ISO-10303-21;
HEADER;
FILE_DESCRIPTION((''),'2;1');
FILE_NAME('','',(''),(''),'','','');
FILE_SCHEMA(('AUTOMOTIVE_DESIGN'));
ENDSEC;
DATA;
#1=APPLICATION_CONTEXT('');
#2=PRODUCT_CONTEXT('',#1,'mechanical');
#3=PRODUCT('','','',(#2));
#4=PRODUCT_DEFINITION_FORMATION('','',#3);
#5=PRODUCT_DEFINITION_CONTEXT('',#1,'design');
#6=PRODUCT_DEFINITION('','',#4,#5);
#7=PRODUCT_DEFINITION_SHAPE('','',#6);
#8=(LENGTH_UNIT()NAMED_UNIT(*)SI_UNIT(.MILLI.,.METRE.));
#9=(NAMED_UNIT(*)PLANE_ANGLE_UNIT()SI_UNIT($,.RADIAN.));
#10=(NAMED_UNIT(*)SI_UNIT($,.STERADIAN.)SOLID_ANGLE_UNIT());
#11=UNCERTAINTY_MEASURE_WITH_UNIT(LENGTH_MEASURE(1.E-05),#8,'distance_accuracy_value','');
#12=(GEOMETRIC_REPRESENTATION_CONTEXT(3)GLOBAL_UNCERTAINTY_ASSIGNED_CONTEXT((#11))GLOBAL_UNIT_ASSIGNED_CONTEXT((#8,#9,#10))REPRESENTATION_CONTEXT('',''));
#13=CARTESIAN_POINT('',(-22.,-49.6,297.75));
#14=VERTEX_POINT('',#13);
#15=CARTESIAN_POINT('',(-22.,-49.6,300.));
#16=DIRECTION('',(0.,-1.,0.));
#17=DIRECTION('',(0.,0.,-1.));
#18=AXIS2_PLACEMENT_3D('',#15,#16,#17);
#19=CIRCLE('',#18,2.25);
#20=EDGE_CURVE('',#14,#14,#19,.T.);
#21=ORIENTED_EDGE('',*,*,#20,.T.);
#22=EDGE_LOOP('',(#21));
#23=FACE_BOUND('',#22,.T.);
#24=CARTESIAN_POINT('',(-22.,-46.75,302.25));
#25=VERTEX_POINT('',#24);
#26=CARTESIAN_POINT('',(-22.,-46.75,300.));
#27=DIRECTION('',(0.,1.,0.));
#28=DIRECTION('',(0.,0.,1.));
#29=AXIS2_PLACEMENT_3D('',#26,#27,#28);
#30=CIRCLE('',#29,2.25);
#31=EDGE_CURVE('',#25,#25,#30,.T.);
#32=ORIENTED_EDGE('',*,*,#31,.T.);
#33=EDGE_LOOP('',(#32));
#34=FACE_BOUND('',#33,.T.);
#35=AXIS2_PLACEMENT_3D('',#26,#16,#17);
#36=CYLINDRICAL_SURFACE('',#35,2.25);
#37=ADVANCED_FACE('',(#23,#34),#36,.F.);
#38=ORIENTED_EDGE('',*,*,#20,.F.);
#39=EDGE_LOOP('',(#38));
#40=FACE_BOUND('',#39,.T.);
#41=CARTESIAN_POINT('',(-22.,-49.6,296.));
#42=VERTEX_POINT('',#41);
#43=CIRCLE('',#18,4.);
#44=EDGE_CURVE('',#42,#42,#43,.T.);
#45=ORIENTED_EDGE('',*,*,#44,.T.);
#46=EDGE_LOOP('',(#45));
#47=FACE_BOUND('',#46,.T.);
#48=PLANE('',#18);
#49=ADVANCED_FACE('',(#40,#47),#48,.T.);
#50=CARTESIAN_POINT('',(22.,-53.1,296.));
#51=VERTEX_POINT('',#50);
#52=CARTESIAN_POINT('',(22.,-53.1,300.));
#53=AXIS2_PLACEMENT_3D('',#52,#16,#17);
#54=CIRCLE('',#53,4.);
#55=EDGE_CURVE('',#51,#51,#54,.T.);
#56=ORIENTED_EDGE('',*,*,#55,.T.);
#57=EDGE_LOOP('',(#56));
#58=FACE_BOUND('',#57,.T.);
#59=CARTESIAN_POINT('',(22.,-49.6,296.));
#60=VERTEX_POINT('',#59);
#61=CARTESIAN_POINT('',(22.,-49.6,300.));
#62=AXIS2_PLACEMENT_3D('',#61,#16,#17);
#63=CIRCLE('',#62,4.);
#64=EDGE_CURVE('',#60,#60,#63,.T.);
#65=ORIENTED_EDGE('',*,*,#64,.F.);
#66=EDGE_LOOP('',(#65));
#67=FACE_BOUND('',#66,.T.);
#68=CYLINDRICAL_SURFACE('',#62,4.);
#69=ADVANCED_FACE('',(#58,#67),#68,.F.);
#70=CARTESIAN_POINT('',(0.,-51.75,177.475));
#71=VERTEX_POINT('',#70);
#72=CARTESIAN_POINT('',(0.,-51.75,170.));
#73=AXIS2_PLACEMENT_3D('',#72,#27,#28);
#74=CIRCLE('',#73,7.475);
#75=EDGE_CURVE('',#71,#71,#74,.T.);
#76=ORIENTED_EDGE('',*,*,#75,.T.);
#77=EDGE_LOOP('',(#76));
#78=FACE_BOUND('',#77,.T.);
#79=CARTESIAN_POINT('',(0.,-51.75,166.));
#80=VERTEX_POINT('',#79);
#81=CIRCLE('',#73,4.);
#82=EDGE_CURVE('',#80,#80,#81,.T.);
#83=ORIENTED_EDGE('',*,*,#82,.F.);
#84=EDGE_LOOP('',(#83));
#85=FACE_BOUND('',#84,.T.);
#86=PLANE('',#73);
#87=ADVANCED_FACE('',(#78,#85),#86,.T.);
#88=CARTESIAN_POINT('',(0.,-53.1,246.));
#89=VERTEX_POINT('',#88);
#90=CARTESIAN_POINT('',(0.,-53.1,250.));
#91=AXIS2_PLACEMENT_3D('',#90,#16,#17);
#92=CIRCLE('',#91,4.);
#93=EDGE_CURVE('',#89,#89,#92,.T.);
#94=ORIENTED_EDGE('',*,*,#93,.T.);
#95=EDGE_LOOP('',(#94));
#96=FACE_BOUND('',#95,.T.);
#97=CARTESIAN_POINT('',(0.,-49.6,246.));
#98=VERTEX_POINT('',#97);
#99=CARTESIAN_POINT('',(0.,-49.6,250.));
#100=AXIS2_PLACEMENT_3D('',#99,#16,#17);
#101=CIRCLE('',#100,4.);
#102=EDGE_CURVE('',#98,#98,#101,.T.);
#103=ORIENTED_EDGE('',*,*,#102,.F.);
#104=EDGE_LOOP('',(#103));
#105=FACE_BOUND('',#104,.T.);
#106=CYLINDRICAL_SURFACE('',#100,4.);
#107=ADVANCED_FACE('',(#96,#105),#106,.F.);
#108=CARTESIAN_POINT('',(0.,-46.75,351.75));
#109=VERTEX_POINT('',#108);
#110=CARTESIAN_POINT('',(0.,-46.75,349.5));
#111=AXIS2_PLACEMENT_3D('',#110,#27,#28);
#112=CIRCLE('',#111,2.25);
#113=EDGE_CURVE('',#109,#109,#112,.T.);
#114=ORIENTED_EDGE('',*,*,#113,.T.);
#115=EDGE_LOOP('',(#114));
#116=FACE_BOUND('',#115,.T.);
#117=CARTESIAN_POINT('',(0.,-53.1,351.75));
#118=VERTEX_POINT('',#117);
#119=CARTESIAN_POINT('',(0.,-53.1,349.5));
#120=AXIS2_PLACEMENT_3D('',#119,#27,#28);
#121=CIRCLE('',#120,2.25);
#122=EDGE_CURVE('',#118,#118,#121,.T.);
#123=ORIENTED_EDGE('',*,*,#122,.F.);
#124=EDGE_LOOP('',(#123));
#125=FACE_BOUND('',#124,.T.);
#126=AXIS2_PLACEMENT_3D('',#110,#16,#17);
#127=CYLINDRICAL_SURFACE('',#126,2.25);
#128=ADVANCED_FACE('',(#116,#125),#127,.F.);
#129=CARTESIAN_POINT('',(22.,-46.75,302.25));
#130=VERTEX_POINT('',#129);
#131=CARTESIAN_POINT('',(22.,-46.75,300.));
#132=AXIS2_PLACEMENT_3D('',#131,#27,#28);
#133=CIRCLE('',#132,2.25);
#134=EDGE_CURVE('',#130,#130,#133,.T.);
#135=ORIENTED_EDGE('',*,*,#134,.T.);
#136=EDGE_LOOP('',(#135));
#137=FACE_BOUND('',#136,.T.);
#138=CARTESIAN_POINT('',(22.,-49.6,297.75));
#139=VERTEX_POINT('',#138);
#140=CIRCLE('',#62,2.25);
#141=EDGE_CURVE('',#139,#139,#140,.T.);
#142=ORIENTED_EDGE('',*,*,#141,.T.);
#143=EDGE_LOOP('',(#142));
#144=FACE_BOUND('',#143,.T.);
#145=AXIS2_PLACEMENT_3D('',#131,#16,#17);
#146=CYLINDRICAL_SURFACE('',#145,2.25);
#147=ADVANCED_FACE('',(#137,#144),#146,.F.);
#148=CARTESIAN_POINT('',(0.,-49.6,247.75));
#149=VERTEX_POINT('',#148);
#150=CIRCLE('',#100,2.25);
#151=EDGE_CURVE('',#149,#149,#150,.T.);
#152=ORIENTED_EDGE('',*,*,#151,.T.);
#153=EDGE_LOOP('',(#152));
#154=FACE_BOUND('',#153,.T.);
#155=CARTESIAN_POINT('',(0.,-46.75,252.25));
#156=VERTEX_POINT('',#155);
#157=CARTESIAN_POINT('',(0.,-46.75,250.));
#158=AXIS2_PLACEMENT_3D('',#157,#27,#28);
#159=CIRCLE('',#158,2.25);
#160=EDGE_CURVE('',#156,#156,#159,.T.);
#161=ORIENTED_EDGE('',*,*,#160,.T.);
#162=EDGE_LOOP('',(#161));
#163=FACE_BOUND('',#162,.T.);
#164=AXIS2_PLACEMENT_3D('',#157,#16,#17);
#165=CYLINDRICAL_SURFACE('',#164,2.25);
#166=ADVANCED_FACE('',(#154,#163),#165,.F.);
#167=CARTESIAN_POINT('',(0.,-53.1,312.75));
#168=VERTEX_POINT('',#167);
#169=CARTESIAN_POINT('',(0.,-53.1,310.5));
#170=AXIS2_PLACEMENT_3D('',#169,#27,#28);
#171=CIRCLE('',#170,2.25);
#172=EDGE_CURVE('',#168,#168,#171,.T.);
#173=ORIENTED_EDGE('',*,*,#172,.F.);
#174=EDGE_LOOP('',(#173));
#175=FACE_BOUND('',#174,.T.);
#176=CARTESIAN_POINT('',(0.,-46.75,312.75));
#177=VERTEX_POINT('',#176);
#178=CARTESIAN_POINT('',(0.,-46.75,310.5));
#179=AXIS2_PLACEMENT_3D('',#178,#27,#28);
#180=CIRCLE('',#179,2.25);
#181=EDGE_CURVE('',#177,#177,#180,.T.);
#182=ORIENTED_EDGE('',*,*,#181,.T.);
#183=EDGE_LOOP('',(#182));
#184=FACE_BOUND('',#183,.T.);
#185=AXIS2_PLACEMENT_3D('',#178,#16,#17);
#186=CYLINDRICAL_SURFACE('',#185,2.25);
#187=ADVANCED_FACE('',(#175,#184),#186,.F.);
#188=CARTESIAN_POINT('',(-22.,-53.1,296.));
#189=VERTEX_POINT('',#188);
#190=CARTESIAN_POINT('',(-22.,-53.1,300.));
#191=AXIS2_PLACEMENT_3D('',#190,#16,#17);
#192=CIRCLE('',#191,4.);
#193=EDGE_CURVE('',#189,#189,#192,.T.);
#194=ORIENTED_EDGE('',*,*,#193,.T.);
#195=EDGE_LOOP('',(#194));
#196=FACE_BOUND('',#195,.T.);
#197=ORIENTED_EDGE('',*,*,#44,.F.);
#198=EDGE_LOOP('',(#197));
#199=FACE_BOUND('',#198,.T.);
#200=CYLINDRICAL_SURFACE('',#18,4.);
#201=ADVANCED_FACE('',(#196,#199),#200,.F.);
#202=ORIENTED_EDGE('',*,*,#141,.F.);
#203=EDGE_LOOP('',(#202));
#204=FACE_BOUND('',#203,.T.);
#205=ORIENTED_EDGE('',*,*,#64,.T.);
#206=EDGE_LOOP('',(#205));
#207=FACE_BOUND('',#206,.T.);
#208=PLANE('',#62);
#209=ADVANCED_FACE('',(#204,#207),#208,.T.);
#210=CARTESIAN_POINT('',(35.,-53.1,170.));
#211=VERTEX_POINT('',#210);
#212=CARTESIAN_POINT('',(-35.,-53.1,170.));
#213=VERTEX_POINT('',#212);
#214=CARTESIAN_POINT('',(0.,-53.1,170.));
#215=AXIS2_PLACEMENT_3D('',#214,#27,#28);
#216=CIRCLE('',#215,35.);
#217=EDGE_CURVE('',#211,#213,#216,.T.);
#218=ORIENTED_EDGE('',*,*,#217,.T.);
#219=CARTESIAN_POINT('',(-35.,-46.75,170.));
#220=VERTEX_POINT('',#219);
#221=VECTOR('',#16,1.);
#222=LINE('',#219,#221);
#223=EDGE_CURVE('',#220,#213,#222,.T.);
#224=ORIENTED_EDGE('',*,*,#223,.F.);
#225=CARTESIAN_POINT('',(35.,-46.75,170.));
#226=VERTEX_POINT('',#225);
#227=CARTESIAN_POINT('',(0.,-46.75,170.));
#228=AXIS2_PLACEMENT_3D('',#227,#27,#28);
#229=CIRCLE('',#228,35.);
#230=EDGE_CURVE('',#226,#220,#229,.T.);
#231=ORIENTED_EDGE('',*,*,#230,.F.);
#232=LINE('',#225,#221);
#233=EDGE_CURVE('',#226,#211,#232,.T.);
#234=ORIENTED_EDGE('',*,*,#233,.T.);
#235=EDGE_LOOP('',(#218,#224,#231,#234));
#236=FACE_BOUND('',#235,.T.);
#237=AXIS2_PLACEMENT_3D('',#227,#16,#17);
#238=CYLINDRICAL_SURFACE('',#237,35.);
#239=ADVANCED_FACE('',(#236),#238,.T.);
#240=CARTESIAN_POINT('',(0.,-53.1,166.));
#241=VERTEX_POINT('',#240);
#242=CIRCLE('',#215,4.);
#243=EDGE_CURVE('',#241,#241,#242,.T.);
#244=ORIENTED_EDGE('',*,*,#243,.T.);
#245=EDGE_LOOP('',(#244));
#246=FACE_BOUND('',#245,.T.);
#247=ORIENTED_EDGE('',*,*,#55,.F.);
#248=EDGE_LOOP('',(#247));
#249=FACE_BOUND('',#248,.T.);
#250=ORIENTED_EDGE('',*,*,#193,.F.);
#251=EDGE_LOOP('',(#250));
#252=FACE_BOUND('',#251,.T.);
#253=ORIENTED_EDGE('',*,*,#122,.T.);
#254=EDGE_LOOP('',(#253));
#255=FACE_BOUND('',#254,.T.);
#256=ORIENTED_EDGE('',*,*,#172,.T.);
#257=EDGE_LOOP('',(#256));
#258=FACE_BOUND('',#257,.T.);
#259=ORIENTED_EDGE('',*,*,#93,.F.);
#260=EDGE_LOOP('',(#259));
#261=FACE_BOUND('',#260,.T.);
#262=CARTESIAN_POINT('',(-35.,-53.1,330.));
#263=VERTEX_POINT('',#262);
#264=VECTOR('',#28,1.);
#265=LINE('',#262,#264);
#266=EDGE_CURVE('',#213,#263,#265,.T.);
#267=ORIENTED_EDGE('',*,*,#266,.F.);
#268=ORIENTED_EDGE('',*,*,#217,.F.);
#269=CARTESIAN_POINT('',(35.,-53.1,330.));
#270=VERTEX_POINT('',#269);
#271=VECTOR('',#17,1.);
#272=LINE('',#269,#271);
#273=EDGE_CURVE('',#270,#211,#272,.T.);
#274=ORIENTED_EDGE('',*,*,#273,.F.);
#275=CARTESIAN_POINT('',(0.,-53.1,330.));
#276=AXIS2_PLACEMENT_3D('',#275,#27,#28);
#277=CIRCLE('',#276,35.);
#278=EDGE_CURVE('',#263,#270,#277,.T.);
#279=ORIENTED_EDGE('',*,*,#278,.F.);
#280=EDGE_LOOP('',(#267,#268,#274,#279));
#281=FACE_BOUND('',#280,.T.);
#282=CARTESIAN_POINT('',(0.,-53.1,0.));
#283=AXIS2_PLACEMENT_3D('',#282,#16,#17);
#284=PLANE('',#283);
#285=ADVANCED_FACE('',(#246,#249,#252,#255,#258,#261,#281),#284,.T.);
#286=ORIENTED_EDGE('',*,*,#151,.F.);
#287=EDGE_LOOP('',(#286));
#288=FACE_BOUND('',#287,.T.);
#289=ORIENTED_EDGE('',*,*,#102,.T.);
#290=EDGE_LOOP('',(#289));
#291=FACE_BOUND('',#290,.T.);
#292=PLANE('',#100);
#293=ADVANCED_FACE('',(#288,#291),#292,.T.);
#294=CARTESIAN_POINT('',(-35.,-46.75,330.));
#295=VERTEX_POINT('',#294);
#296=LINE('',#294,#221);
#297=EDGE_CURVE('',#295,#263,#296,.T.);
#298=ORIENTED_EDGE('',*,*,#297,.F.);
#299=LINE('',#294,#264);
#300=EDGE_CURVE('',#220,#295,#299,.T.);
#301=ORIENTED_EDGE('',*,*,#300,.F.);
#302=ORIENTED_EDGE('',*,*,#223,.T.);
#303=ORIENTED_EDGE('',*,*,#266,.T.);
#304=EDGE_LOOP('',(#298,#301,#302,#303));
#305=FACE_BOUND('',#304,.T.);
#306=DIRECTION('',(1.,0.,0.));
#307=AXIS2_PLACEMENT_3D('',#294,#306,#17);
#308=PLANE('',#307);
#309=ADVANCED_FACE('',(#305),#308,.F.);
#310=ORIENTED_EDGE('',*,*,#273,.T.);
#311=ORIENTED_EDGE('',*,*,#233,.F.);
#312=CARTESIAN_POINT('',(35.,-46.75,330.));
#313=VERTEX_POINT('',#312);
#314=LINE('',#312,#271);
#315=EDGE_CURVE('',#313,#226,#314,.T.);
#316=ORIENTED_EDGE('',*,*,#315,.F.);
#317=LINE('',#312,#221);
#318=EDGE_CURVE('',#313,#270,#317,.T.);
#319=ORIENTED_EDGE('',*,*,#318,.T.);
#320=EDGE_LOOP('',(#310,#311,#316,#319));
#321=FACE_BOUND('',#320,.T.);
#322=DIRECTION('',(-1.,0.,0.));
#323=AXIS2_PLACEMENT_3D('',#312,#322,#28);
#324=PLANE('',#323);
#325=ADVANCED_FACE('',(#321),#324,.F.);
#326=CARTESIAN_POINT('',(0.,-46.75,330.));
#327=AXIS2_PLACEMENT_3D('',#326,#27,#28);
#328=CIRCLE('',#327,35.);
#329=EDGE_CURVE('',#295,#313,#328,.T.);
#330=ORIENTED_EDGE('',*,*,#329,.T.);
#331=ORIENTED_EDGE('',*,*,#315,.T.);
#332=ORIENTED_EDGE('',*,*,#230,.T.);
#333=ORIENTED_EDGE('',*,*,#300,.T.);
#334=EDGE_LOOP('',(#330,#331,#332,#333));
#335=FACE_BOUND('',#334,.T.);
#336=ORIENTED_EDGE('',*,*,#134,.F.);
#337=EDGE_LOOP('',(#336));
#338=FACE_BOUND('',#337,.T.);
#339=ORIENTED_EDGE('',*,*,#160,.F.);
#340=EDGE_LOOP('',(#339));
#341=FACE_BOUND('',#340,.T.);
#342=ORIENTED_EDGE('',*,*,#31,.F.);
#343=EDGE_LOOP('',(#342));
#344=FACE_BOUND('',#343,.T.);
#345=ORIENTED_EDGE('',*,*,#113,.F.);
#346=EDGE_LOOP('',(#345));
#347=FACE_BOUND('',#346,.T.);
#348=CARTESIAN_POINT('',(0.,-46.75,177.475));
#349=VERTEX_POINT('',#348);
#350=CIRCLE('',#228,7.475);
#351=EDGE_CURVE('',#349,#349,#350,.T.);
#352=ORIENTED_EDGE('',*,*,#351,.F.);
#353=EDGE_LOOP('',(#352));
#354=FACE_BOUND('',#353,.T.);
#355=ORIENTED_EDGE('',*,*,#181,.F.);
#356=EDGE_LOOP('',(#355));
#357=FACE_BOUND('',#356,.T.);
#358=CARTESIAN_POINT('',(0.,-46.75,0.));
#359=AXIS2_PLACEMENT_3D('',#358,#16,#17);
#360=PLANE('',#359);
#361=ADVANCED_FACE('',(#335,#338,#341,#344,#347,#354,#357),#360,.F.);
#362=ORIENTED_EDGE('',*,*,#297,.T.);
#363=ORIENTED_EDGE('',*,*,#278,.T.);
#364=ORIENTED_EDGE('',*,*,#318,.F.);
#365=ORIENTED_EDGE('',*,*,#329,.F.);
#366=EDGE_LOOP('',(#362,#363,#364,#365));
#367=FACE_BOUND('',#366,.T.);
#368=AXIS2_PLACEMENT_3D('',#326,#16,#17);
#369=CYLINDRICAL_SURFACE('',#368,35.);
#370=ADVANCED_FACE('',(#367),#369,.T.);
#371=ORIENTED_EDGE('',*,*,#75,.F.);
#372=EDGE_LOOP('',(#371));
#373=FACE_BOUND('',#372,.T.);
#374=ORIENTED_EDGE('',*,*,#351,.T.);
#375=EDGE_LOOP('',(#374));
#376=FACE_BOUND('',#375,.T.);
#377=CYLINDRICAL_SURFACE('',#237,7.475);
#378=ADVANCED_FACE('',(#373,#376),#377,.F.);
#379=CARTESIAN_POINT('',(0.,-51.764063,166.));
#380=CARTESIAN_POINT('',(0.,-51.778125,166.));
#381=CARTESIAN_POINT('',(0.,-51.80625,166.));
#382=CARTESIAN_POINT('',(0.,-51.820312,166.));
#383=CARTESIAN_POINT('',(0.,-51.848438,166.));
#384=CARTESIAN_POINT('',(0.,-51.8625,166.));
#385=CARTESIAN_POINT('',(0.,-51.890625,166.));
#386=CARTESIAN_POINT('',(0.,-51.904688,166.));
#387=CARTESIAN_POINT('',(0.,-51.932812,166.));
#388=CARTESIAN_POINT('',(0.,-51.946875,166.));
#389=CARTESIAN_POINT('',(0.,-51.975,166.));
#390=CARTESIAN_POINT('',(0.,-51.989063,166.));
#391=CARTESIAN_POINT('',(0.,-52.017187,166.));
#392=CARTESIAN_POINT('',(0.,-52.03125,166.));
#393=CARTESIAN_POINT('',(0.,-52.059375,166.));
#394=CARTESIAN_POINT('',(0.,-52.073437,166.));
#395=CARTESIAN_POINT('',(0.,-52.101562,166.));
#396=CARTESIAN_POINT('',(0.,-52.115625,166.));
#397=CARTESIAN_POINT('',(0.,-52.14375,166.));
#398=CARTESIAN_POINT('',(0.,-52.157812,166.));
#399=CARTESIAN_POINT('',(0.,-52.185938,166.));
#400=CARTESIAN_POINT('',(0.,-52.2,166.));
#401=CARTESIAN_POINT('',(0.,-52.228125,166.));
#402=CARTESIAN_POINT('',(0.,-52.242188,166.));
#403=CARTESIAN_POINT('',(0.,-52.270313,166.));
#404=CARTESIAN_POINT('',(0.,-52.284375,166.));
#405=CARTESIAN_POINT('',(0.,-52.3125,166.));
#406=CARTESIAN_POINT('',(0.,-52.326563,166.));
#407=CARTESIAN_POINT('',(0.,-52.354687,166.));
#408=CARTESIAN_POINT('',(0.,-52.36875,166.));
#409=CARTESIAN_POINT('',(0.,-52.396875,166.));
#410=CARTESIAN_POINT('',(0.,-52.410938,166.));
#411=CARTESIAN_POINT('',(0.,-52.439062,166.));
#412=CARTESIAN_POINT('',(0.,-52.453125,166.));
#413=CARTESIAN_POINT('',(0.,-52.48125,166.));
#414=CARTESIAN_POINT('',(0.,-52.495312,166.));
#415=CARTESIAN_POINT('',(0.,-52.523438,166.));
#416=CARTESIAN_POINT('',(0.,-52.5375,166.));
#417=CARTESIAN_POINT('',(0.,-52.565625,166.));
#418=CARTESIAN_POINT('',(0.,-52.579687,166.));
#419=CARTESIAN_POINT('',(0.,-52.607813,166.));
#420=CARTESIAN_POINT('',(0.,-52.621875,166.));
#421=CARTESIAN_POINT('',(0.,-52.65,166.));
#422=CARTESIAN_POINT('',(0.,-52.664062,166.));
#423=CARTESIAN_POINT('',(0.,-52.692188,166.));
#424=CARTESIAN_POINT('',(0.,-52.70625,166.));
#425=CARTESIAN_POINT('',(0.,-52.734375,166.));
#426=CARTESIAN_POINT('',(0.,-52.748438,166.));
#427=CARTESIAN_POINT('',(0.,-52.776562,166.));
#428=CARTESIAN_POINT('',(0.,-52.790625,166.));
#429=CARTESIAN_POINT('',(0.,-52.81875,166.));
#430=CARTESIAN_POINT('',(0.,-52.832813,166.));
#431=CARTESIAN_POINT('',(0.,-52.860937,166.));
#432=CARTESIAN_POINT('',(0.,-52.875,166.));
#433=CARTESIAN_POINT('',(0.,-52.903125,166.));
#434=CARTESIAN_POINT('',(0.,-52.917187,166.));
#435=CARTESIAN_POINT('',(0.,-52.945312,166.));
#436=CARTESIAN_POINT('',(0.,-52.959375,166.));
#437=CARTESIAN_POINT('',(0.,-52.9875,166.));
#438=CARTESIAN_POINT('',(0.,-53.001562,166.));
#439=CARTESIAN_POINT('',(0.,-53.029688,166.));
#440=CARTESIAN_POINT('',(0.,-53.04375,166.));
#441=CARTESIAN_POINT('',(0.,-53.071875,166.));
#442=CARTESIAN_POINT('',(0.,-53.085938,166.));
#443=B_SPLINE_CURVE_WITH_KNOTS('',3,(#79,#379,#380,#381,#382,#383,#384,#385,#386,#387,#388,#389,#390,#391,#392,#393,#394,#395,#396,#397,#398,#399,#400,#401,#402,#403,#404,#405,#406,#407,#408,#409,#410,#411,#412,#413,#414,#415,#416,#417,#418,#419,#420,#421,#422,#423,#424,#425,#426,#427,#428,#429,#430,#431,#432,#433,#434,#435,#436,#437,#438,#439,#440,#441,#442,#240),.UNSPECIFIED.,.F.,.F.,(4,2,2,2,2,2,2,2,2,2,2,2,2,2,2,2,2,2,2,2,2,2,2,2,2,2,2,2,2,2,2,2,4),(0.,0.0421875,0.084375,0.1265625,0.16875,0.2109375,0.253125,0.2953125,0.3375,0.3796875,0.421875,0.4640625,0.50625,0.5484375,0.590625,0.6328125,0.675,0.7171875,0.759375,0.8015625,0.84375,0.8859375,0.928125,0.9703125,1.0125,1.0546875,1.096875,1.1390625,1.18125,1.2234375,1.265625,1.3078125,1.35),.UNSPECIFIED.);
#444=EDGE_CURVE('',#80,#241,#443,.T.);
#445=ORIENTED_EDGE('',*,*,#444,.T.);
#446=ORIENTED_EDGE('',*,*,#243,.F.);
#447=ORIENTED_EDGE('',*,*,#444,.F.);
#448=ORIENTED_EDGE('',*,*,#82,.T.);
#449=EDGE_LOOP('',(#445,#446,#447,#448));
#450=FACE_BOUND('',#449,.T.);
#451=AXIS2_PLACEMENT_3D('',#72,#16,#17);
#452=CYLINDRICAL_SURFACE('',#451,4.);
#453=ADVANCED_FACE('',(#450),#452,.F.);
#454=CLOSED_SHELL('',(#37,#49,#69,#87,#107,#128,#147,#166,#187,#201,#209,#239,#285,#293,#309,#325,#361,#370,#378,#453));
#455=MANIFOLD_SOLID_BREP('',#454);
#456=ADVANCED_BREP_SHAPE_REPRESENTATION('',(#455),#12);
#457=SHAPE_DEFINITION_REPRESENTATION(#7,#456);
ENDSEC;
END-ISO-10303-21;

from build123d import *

# Parameters (mm, degrees)
PLACA_START                   = -53.1
SK_PLACA_W                    = 70
SK_PLACA_H                    = 160
PLACA_DEPTH                   = 6.35
EXTREMOS_START                = -53.1
SK_EXTREMOS_R                 = 35
EXTREMOS_DEPTH                = 6.35
PASANTES_M4_SEPARADORES_START = -53.1
SK_PASANTES_M4_SEPARADORES_R  = 2.25
PASANTES_M4_SEPARADORES_DEPTH = 6.35
ALOJAMIENTO_696ZZ_START       = -51.75
SK_ALOJAMIENTO_696ZZ_R        = 7.475
ALOJAMIENTO_696ZZ_DEPTH       = 5
PASO_EXTRACTOR_START          = -53.1
SK_PASO_EXTRACTOR_R           = 4
PASO_EXTRACTOR_DEPTH          = 1.35
PASANTES_M4_EJEFALSO_J3_START = -53.1
SK_PASANTES_M4_EJEFALSO_J3_R  = 2.25
PASANTES_M4_EJEFALSO_J3_DEPTH = 6.35
SK_CAJAS_M4_SEPARADORES_R     = 4
CAJAS_M4_SEPARADORES_DEPTH    = 3.5


with BuildPart() as part:
    # Sk_Placa → Placa (new body)
    with BuildSketch(Plane(origin=(0, 0, 0), x_dir=(1, 0, 0), z_dir=(0, 1, 0)).offset(PLACA_START)):
        with Locations((0, -250)):
            Rectangle(SK_PLACA_W, SK_PLACA_H)
    extrude(amount=PLACA_DEPTH)

    # Sk_Extremos → Extremos (add)
    with BuildSketch(Plane(origin=(0, 0, 0), x_dir=(1, 0, 0), z_dir=(0, 1, 0)).offset(EXTREMOS_START)):
        with Locations((0, -170)):
            Circle(SK_EXTREMOS_R)
        with Locations((0, -330)):
            Circle(SK_EXTREMOS_R)
    extrude(amount=EXTREMOS_DEPTH)

    # Sk_Pasantes_M4_separadores → Pasantes_M4_separadores (cut)
    with BuildSketch(Plane(origin=(0, 0, 0), x_dir=(1, 0, 0), z_dir=(0, 1, 0)).offset(PASANTES_M4_SEPARADORES_START)):
        with Locations(Location((0, -250, 0), (0, 0, 270))):
            Circle(SK_PASANTES_M4_SEPARADORES_R)
        with Locations(Location((-22, -300, 0), (0, 0, 270))):
            Circle(SK_PASANTES_M4_SEPARADORES_R)
        with Locations(Location((22, -300, 0), (0, 0, 270))):
            Circle(SK_PASANTES_M4_SEPARADORES_R)
    extrude(amount=PASANTES_M4_SEPARADORES_DEPTH, mode=Mode.SUBTRACT)

    # Sk_Alojamiento_696ZZ → Alojamiento_696ZZ (cut)
    with BuildSketch(Plane(origin=(0, 0, 0), x_dir=(1, 0, 0), z_dir=(0, 1, 0)).offset(ALOJAMIENTO_696ZZ_START)):
        with Locations(Location((0, -170, 0), (0, 0, 270))):
            Circle(SK_ALOJAMIENTO_696ZZ_R)
    extrude(amount=ALOJAMIENTO_696ZZ_DEPTH, mode=Mode.SUBTRACT)

    # Sk_Paso_extractor → Paso_extractor (cut)
    with BuildSketch(Plane(origin=(0, 0, 0), x_dir=(1, 0, 0), z_dir=(0, 1, 0)).offset(PASO_EXTRACTOR_START)):
        with Locations(Location((0, -170, 0), (0, 0, 90))):
            Circle(SK_PASO_EXTRACTOR_R)
    extrude(amount=PASO_EXTRACTOR_DEPTH, mode=Mode.SUBTRACT)

    # Sk_Pasantes_M4_ejefalso_J3 → Pasantes_M4_ejefalso_J3 (cut)
    with BuildSketch(Plane(origin=(0, 0, 0), x_dir=(1, 0, 0), z_dir=(0, 1, 0)).offset(PASANTES_M4_EJEFALSO_J3_START)):
        with Locations(Location((0, -310.5, 0), (0, 0, 270))):
            Circle(SK_PASANTES_M4_EJEFALSO_J3_R)
        with Locations(Location((0, -349.5, 0), (0, 0, 270))):
            Circle(SK_PASANTES_M4_EJEFALSO_J3_R)
    extrude(amount=PASANTES_M4_EJEFALSO_J3_DEPTH, mode=Mode.SUBTRACT)

    # Sk_Cajas_M4_separadores → Cajas_M4_separadores (cut)
    with BuildSketch(Plane.XZ.offset(53.1)):
        with Locations(Location((0, 250, 0), (0, 0, 270))):
            Circle(SK_CAJAS_M4_SEPARADORES_R)
        with Locations(Location((22, 300, 0), (0, 0, 270))):
            Circle(SK_CAJAS_M4_SEPARADORES_R)
        with Locations(Location((-22, 300, 0), (0, 0, 270))):
            Circle(SK_CAJAS_M4_SEPARADORES_R)
    extrude(amount=-CAJAS_M4_SEPARADORES_DEPTH, mode=Mode.SUBTRACT)


solid = part.part
